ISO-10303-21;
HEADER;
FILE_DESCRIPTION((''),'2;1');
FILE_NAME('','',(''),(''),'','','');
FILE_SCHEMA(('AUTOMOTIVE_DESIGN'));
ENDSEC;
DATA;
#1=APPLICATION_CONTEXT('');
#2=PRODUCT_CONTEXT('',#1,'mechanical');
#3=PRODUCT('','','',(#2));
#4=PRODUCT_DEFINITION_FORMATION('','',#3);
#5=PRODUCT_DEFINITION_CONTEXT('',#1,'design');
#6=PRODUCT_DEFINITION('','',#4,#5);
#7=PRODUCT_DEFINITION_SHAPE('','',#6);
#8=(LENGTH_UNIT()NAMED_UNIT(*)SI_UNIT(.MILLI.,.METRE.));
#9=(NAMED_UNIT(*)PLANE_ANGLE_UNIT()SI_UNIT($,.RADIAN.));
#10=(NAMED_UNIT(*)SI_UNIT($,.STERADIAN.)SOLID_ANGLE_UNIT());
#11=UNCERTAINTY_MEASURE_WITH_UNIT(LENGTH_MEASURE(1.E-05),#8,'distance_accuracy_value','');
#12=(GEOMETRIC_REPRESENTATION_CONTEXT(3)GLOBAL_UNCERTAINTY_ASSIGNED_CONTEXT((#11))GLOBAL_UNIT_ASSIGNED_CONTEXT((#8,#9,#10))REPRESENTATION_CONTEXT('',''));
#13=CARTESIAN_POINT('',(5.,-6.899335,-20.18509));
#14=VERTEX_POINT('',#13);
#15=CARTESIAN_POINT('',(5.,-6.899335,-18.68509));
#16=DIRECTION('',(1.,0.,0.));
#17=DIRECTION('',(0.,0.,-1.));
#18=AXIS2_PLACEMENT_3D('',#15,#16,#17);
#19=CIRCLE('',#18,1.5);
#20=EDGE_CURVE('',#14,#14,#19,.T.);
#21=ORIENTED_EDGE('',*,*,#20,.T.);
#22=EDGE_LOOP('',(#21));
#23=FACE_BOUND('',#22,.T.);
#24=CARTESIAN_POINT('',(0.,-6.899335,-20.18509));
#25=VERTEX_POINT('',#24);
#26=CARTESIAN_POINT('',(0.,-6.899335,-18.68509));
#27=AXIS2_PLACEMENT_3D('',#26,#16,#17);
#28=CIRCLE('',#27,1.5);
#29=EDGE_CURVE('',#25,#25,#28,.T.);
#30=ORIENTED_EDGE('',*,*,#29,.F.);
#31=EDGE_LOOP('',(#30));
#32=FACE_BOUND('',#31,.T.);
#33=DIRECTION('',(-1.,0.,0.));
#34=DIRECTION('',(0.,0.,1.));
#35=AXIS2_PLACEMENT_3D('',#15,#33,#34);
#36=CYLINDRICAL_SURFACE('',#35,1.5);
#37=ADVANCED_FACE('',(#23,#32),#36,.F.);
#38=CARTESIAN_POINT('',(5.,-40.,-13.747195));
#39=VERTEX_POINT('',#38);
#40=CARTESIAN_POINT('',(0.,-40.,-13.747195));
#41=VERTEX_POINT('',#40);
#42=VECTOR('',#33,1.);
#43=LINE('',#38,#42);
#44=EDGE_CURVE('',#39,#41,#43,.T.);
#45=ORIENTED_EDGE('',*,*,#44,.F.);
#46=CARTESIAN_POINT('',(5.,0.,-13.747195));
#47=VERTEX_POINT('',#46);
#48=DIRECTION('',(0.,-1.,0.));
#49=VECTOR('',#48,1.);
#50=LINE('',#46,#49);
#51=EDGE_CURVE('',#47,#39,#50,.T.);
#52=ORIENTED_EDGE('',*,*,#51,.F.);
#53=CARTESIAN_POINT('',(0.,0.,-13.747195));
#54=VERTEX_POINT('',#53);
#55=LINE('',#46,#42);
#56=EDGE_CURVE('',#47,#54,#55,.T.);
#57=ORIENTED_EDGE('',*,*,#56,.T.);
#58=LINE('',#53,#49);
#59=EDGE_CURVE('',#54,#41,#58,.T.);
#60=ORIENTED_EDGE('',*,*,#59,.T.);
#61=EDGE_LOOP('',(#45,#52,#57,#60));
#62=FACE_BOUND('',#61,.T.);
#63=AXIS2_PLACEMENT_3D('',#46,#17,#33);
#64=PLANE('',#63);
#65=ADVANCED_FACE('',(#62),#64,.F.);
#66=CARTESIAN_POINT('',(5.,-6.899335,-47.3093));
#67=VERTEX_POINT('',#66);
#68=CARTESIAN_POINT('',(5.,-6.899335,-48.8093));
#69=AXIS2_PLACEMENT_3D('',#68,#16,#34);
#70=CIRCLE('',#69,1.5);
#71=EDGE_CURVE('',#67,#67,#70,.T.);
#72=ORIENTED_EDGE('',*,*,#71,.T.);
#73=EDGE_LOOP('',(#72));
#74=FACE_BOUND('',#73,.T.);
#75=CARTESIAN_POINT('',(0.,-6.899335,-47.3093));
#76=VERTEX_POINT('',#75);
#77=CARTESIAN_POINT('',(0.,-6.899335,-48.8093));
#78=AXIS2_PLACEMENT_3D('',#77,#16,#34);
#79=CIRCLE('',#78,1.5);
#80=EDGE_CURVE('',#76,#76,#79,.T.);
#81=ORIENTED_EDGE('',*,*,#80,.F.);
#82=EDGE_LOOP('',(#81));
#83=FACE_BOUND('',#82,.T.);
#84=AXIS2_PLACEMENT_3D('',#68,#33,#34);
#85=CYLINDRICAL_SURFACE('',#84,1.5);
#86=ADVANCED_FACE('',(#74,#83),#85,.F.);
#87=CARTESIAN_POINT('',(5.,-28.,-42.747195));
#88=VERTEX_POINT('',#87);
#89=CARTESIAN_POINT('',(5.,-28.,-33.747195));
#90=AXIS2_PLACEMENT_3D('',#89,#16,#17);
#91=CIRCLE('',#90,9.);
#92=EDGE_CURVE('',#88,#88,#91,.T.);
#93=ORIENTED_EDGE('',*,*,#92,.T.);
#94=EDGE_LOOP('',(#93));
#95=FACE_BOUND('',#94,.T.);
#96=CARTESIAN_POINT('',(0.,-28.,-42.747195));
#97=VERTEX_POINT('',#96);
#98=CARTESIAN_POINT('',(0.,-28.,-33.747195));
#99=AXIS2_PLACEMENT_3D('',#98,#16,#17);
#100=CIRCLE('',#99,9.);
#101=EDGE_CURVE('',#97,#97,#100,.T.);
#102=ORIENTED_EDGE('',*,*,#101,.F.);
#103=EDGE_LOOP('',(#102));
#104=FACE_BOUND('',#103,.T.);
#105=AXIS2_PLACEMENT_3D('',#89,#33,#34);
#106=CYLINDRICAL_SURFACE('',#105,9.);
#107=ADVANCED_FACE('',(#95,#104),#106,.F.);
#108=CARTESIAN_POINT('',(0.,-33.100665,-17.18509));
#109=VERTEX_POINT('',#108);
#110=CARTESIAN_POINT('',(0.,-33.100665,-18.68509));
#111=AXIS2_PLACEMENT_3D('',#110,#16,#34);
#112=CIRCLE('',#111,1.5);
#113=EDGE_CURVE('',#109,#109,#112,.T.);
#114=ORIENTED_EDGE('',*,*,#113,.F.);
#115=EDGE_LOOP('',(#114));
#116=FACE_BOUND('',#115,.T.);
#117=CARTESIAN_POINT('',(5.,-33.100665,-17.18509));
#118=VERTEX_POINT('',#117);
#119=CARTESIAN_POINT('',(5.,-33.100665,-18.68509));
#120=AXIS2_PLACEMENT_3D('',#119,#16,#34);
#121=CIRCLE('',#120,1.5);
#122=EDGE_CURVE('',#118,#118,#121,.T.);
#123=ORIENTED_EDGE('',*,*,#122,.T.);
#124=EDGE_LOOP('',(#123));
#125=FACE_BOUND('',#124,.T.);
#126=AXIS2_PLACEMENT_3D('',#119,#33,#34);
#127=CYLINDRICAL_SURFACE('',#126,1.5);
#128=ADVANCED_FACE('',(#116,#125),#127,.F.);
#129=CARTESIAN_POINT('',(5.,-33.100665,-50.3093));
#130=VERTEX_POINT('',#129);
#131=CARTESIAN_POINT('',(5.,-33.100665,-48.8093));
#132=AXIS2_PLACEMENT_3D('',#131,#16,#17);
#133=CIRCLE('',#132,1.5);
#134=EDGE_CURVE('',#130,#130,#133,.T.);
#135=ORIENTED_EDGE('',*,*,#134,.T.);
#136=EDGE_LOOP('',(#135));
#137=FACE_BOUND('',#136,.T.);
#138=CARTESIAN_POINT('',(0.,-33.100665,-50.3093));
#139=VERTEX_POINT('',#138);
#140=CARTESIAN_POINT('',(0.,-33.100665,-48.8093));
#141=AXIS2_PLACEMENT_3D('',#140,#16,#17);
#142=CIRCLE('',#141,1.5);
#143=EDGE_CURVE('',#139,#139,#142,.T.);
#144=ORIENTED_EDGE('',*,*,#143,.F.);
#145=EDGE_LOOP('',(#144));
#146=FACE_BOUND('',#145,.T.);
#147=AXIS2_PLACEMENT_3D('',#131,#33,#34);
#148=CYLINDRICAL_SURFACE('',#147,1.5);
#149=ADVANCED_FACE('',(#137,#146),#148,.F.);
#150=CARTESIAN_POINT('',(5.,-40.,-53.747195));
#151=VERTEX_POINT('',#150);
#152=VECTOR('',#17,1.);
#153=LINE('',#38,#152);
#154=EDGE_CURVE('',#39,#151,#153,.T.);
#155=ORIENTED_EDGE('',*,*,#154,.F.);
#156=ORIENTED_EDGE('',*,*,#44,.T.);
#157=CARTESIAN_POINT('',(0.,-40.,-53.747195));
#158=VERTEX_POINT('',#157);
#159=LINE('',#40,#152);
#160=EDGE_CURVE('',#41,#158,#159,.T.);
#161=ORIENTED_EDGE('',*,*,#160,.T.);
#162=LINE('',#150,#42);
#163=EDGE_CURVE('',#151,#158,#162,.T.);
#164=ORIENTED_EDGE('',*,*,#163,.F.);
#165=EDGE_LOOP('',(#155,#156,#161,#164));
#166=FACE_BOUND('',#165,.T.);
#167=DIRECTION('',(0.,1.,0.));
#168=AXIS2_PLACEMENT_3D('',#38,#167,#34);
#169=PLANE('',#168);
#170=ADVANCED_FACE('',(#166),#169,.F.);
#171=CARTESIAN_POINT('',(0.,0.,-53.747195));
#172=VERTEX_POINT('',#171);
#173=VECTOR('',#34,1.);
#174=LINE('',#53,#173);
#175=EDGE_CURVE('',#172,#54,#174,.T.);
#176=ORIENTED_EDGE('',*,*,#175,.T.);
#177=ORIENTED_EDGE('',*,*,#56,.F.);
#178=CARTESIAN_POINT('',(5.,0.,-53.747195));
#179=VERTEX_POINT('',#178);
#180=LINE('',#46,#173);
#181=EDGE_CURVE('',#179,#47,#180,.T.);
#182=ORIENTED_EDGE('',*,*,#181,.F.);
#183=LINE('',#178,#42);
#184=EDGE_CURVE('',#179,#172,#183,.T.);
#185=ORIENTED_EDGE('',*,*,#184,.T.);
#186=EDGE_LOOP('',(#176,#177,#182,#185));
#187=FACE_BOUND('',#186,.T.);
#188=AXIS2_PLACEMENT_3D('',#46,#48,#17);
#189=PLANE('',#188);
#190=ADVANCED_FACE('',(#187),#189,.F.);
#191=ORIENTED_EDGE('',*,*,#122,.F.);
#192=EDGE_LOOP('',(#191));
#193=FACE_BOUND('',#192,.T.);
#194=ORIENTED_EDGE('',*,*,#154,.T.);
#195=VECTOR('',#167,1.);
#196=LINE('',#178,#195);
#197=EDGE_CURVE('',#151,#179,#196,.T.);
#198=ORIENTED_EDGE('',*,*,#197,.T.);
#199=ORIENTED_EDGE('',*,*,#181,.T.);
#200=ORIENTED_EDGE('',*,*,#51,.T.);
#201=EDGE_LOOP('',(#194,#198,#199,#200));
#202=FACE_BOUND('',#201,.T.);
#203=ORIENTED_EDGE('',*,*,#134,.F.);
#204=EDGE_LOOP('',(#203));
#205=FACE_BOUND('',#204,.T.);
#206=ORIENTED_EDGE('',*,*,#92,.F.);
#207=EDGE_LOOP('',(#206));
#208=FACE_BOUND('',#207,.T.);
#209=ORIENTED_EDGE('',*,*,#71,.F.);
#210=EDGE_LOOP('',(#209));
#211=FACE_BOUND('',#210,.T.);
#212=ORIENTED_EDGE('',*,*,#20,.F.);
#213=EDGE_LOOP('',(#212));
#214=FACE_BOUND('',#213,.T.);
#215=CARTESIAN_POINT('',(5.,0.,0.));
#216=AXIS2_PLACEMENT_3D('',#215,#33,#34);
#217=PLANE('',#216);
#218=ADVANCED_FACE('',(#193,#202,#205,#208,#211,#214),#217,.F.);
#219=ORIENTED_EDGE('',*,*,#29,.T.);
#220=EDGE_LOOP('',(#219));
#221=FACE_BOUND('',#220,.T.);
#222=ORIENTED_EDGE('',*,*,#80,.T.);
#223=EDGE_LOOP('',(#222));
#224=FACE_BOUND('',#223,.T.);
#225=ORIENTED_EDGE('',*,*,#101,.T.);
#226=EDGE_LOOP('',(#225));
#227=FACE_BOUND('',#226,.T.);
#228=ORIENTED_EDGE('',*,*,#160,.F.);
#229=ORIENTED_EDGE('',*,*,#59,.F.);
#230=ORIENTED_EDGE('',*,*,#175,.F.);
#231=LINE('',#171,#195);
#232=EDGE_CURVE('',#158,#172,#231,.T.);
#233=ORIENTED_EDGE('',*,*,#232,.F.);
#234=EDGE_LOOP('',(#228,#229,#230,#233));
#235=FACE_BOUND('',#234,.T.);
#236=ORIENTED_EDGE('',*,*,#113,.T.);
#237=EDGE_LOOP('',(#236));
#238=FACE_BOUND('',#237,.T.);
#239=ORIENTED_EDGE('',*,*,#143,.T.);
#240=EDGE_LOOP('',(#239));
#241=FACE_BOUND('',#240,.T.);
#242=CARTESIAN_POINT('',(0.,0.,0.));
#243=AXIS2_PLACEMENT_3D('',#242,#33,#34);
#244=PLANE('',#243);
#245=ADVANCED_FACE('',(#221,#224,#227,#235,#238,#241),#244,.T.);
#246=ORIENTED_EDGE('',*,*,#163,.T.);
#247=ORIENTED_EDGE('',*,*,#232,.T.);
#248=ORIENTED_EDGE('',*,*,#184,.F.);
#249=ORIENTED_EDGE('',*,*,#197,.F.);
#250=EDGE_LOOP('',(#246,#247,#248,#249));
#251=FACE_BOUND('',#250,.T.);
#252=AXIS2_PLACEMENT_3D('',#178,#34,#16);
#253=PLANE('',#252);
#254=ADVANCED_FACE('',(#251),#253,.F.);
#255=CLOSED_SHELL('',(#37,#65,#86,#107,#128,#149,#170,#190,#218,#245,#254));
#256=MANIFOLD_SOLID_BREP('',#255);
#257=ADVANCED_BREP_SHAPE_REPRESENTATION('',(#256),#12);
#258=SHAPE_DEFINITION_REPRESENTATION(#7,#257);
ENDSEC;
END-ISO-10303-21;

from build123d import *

# Parameters (mm, degrees)
SKETCH1_W           = 40
SKETCH1_H           = 40
SKETCH1_R           = 9
SKETCH1_R_2         = 1.5
BOSS_EXTRUDE1_DEPTH = 5


with BuildPart() as part:
    # Sketch1 → Boss-Extrude1 (new body)
    with BuildSketch(Plane(origin=(0, 0, 0), x_dir=(0, 0, -1), z_dir=(1, 0, 0))):
        with Locations((33.747195152, -20)):
            Rectangle(SKETCH1_W, SKETCH1_H)
        with Locations((33.747195152, -28)):
            Circle(SKETCH1_R, mode=Mode.SUBTRACT)
        with Locations((18.685090131, -6.89933539)):
            Circle(SKETCH1_R_2, mode=Mode.SUBTRACT)
        with Locations(Location((18.685090131, -33.10066461, 0), (0, 0, 180))):
            Circle(SKETCH1_R_2, mode=Mode.SUBTRACT)
        with Locations((48.809300173, -33.10066461)):
            Circle(SKETCH1_R_2, mode=Mode.SUBTRACT)
        with Locations(Location((48.809300173, -6.89933539, 0), (0, 0, 180))):
            Circle(SKETCH1_R_2, mode=Mode.SUBTRACT)
    extrude(amount=BOSS_EXTRUDE1_DEPTH)


solid = part.part
